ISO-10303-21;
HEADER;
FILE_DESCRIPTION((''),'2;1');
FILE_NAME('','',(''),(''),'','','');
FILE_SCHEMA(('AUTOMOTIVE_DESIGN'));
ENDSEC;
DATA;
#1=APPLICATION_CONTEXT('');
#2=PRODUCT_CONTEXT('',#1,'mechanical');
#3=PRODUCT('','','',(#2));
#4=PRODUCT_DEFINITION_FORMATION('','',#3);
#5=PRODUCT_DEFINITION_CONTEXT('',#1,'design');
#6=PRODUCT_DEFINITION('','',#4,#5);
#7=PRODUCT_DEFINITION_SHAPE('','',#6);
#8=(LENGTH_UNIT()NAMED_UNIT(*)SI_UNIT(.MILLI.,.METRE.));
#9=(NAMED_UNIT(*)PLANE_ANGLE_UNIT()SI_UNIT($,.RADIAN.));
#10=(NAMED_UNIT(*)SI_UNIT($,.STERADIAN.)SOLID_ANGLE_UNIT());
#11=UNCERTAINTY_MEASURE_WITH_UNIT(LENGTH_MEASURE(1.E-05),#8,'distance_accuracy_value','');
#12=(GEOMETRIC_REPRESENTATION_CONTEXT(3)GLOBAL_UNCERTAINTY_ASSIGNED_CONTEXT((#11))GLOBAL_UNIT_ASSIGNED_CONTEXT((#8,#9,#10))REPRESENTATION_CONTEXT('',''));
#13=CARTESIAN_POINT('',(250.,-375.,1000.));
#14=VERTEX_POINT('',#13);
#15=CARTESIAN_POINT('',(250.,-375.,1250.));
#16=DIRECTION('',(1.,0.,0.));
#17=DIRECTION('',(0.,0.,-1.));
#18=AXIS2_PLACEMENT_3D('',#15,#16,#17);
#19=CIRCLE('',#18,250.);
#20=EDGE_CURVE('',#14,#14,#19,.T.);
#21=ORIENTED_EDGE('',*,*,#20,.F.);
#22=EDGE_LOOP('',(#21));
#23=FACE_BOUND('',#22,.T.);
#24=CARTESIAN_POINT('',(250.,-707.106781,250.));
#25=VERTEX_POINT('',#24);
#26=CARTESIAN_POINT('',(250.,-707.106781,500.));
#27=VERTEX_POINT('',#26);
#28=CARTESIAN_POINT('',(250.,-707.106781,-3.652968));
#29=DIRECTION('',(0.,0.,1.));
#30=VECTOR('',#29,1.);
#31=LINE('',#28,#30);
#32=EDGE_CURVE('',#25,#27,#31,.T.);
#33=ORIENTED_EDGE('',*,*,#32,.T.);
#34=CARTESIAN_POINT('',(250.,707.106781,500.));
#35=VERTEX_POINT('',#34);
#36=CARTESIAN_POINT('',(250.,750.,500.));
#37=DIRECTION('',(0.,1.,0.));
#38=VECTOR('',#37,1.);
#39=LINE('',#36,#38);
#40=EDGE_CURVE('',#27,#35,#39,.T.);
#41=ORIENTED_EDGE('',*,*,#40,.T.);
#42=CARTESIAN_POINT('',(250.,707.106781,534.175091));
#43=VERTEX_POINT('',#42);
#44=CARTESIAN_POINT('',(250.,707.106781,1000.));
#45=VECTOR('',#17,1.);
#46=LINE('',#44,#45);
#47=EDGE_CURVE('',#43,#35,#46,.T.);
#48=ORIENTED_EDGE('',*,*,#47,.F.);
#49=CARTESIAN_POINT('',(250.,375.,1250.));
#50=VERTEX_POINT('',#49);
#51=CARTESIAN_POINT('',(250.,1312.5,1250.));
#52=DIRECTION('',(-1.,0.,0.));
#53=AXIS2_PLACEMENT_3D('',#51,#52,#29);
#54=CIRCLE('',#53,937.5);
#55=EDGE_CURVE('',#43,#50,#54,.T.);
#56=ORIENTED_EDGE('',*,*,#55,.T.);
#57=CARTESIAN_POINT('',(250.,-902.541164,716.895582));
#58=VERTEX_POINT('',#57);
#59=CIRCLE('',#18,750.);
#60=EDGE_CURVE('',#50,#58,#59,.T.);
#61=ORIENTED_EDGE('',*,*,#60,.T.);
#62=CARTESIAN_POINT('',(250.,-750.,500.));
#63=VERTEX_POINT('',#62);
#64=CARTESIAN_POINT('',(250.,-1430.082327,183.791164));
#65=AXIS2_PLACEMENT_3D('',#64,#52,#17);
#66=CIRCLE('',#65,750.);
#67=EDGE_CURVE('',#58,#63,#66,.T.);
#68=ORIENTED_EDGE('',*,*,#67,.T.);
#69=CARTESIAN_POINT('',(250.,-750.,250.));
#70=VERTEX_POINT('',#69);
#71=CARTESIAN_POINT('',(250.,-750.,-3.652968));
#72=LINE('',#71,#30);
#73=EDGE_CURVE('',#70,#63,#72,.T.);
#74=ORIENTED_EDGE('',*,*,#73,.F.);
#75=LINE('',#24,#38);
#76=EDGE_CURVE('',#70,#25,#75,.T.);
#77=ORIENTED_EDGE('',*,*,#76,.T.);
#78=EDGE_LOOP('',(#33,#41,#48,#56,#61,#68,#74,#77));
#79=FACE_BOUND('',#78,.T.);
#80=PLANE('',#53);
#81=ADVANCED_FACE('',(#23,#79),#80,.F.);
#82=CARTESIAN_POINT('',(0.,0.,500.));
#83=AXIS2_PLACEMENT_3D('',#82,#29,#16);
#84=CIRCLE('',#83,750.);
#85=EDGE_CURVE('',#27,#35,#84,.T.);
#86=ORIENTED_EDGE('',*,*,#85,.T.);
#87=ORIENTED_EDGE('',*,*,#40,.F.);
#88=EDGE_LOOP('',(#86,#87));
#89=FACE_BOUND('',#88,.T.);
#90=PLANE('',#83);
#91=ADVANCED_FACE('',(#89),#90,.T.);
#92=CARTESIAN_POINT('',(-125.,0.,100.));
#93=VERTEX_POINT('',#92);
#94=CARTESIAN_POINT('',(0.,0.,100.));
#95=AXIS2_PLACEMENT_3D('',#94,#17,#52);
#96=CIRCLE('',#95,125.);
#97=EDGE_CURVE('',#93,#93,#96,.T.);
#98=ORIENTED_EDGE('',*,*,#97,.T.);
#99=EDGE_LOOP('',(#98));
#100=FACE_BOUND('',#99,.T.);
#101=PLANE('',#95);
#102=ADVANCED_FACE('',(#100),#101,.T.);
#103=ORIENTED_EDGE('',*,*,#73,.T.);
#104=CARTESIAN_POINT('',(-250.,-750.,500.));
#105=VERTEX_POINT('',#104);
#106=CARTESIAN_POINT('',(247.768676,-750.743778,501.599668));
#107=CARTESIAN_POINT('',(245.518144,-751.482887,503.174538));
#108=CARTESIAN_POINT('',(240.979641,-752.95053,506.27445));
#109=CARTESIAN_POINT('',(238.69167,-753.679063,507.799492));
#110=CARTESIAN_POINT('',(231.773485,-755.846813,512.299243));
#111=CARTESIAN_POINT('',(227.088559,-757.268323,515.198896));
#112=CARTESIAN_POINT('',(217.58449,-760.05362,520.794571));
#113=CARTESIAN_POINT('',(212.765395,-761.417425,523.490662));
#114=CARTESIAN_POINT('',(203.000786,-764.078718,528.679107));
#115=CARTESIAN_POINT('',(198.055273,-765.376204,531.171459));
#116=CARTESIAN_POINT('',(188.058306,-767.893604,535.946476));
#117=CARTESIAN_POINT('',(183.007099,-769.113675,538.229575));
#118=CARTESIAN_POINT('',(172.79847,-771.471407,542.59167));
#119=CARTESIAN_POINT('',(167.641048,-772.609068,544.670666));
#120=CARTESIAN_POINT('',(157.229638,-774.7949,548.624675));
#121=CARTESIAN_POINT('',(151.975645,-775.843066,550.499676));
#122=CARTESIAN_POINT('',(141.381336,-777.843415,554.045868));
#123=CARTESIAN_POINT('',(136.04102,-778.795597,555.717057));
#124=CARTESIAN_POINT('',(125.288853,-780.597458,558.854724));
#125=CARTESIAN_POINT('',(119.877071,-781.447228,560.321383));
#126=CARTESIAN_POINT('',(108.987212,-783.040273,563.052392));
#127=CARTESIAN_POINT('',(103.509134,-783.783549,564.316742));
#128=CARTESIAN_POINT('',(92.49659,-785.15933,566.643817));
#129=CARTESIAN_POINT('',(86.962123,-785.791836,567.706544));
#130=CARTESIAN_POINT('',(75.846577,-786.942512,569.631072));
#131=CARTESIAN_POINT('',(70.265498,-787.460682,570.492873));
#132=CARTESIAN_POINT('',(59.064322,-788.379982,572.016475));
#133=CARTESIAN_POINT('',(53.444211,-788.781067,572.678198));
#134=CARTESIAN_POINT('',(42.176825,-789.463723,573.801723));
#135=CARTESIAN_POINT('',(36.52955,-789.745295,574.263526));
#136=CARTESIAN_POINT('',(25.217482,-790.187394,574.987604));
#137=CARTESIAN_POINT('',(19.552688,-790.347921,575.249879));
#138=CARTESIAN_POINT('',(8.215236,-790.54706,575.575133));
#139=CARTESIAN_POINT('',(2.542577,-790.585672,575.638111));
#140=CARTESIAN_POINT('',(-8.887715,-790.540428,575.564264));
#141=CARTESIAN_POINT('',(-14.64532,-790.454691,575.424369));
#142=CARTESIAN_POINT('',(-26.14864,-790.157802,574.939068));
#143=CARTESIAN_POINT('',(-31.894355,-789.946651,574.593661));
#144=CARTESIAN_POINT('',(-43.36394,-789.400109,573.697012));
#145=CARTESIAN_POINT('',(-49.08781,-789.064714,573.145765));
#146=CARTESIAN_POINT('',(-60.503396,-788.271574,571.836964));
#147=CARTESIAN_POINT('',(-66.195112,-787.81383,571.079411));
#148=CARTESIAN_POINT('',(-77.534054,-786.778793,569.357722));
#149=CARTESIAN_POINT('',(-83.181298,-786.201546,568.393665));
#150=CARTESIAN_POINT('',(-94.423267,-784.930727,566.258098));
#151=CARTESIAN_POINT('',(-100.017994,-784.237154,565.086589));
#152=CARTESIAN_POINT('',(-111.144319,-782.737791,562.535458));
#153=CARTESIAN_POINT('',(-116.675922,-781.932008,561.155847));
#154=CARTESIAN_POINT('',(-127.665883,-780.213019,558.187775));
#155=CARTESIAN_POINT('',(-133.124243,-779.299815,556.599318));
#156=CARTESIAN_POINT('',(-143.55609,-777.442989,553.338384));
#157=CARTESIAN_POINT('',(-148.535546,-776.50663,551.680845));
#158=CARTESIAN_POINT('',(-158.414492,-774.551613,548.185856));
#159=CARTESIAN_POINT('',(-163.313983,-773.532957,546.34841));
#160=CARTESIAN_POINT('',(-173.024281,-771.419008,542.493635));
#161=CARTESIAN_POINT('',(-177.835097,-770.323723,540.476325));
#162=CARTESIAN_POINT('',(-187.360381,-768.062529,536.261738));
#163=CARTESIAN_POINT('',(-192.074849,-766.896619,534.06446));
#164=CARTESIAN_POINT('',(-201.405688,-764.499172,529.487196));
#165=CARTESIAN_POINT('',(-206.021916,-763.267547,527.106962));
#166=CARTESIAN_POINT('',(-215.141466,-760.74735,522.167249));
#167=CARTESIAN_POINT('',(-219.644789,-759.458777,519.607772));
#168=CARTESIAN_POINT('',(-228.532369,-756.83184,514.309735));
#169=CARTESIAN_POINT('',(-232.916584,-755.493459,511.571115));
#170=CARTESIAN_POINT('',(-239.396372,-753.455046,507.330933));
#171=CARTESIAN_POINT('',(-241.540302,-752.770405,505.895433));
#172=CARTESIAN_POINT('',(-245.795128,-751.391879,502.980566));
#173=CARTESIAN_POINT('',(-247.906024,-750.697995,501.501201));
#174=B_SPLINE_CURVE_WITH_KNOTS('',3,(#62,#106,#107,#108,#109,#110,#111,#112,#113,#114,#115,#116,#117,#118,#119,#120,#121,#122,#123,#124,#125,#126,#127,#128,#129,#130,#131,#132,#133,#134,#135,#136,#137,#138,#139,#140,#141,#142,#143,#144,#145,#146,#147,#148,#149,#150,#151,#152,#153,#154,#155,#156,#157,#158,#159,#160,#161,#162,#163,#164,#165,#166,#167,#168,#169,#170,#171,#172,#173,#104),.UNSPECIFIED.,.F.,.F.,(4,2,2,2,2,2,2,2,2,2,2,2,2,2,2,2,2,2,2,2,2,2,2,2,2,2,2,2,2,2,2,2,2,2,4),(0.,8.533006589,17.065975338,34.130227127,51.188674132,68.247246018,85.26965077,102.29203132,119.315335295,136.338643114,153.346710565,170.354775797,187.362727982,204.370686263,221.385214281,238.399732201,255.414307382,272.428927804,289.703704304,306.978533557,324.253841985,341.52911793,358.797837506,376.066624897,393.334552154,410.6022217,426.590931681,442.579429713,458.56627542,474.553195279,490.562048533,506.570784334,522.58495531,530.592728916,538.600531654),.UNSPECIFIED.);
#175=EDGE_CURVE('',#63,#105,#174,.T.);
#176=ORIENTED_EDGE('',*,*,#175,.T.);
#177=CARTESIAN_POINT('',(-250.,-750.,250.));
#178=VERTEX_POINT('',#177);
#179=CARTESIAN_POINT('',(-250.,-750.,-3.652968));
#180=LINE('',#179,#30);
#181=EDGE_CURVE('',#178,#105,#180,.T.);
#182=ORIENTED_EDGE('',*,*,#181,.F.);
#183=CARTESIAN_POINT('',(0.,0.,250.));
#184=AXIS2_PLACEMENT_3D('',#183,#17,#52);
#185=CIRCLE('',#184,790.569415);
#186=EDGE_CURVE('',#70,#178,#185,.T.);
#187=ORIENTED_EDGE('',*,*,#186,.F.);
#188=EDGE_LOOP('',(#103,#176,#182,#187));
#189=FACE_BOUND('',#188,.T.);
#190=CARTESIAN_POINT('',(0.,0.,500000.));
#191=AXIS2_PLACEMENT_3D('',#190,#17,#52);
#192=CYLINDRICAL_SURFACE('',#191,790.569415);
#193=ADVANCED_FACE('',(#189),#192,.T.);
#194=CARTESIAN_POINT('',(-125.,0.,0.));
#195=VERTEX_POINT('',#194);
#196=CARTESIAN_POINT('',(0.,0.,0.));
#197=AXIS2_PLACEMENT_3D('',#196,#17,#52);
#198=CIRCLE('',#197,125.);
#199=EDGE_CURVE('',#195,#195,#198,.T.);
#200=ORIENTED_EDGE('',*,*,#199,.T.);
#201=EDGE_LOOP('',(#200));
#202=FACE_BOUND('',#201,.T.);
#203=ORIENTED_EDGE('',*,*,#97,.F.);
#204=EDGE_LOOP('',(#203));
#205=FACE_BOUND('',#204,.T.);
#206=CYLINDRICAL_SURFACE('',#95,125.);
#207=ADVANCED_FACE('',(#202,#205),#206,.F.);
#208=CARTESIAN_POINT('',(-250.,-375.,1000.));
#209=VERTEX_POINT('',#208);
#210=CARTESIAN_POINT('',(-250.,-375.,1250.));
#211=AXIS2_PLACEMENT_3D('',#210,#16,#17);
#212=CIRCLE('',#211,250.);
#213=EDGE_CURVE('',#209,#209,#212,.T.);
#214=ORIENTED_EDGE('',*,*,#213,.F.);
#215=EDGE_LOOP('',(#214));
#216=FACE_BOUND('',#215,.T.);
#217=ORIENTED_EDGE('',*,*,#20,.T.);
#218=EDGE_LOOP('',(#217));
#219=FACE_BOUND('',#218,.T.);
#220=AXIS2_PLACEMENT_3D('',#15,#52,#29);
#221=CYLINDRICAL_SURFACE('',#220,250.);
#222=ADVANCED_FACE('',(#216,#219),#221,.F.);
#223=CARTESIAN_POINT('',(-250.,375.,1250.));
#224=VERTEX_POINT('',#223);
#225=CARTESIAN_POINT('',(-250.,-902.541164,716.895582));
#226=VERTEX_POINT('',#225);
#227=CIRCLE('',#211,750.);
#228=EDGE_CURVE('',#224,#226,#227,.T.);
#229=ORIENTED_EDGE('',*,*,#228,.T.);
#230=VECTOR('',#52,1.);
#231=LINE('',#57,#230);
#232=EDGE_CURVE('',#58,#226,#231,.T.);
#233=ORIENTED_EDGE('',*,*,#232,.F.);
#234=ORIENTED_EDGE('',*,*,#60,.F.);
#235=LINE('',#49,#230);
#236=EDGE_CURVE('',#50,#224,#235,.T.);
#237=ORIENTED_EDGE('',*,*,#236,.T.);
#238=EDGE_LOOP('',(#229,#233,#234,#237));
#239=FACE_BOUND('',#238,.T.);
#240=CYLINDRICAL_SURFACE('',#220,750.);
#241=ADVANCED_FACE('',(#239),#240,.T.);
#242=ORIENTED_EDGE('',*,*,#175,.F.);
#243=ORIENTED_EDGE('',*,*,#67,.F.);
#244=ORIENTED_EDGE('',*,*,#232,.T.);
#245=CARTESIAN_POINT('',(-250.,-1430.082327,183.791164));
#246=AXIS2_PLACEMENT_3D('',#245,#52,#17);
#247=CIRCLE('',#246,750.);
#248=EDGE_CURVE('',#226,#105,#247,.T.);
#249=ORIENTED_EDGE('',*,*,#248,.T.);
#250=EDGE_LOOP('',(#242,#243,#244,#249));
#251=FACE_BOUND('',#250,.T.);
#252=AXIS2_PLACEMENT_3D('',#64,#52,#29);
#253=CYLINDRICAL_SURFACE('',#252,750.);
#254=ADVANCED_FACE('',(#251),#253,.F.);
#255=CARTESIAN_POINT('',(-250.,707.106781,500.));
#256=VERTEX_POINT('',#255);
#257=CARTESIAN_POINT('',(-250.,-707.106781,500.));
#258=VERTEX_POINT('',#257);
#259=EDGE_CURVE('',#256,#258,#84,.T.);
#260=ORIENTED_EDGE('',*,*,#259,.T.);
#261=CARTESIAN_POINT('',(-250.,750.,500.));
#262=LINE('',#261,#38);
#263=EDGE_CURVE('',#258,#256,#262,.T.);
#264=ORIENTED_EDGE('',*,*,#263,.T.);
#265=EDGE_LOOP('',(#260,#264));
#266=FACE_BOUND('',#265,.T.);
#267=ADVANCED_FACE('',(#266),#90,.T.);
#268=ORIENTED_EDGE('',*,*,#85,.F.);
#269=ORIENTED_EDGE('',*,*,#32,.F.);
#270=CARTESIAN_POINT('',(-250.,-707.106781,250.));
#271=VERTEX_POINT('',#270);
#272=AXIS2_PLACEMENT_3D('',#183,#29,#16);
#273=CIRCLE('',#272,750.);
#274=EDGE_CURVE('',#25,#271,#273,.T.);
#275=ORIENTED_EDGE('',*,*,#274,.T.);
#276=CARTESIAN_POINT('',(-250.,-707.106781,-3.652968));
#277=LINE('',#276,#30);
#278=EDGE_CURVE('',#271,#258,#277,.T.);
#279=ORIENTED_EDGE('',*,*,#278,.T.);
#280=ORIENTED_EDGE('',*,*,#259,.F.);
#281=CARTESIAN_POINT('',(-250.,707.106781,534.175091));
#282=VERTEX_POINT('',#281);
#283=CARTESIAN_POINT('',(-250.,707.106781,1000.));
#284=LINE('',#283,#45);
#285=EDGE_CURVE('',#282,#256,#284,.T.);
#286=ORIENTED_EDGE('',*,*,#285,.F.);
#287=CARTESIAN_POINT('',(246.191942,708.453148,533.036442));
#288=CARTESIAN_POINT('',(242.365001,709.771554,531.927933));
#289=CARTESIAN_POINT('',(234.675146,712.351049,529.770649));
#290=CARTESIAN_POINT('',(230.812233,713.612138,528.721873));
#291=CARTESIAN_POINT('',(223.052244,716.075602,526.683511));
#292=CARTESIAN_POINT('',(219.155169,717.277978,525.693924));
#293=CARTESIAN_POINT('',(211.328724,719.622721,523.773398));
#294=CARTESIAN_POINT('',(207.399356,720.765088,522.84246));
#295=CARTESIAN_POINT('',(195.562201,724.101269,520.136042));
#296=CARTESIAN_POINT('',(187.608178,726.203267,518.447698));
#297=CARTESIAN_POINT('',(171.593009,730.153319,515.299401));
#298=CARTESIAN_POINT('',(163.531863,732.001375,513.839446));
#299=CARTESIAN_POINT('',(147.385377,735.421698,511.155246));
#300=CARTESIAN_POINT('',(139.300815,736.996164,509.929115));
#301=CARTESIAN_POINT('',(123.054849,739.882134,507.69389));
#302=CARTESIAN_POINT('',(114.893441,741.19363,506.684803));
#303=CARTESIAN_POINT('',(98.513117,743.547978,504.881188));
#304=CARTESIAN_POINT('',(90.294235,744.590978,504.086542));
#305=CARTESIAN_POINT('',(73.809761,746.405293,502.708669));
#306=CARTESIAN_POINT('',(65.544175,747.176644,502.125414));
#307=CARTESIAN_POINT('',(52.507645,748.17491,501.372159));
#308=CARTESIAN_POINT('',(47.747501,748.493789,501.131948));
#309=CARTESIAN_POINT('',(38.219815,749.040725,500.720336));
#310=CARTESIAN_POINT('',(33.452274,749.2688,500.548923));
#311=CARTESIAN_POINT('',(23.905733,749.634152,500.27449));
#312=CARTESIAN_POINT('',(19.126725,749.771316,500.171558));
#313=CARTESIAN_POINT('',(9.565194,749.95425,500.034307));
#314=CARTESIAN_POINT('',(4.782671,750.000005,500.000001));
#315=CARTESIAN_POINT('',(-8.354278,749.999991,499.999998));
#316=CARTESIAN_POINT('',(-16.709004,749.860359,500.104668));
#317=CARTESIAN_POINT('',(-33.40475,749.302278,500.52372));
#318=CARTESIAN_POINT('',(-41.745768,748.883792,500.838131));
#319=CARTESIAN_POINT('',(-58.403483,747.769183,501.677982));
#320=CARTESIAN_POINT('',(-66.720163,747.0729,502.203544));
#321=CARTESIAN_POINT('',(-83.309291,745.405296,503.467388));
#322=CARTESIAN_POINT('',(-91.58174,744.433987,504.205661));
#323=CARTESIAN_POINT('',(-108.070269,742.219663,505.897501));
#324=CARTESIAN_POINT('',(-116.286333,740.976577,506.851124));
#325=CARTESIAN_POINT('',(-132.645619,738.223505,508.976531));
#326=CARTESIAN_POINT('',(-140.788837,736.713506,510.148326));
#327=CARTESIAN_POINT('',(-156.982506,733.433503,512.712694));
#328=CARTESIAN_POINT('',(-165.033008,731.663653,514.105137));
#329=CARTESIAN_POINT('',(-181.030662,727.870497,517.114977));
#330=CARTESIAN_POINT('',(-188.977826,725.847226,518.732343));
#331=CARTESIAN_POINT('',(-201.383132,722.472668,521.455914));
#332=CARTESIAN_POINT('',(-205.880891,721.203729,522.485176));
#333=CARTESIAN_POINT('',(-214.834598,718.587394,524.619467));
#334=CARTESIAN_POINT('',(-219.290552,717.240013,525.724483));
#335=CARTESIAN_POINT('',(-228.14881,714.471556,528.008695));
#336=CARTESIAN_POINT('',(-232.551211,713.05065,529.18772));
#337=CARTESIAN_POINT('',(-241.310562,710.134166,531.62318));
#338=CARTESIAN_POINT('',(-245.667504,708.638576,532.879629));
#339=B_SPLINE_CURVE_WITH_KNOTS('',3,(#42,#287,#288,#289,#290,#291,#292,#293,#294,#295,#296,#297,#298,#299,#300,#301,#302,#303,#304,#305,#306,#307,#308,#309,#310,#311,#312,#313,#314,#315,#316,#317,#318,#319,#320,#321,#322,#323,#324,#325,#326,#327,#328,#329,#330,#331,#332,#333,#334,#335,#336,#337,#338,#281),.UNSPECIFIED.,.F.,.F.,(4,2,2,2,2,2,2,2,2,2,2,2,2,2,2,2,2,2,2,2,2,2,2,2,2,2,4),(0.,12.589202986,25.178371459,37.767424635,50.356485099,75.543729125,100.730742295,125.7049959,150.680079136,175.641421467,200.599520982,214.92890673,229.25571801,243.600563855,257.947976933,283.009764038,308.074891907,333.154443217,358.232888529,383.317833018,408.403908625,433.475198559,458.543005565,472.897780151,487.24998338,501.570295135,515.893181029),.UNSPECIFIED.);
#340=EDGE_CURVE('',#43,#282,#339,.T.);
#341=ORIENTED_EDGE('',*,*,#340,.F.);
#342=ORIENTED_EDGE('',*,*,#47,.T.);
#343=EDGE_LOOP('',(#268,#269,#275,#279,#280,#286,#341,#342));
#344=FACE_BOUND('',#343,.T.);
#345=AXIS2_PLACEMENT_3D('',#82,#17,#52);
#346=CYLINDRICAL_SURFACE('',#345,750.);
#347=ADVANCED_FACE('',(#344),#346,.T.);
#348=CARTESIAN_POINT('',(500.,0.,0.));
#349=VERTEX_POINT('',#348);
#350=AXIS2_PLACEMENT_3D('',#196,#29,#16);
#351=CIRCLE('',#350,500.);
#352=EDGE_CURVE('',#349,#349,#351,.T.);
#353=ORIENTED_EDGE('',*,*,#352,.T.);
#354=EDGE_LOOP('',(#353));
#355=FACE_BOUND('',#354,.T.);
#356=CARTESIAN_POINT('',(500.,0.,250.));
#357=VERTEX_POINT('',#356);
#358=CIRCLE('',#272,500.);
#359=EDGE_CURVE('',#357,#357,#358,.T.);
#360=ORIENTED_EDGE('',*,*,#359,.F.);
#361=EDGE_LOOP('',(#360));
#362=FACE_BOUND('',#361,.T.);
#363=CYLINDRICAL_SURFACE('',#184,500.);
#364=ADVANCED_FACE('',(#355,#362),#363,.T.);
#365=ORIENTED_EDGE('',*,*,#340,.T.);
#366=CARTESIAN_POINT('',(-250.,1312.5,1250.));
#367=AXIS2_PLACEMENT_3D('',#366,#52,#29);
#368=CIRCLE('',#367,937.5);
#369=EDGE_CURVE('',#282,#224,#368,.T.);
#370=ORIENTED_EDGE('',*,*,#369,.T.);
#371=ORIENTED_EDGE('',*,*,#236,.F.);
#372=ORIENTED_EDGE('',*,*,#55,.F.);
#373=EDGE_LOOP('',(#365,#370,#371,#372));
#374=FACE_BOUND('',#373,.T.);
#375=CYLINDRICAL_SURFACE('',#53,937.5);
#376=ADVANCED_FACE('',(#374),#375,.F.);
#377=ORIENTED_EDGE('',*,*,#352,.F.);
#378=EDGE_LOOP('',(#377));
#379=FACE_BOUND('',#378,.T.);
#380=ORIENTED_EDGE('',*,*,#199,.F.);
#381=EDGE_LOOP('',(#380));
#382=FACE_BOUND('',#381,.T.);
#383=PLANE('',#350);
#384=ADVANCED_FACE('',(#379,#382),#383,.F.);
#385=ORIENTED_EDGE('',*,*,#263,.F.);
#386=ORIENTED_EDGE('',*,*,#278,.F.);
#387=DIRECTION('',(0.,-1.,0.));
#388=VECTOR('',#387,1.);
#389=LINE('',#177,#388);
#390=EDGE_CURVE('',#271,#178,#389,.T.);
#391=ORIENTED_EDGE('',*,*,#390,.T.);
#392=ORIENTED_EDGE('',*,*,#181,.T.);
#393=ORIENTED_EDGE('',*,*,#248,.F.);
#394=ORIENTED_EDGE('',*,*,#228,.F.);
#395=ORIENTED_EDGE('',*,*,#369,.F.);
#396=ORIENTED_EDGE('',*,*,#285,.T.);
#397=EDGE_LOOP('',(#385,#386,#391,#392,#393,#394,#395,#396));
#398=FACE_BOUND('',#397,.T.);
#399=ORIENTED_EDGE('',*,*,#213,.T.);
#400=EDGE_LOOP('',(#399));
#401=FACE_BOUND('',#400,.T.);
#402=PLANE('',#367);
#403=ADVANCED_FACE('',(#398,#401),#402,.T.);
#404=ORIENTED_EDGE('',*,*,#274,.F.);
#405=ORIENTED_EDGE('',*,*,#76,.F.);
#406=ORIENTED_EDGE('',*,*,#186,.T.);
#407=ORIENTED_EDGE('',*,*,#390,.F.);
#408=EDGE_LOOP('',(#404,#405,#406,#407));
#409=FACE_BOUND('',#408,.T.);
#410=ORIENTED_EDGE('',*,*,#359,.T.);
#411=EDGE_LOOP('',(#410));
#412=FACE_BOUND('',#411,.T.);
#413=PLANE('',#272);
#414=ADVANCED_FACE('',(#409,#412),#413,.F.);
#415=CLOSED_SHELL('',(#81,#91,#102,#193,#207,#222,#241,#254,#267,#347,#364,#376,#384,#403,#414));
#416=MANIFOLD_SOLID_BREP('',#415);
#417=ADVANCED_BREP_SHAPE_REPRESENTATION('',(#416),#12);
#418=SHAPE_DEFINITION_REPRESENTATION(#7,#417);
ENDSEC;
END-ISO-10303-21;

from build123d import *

# Parameters (mm, degrees)
SKETCH1_R                = 500
BOSS_EXTRUDE1_DEPTH      = 250
SKETCH3_R                = 125
CUT_EXTRUDE1_DEPTH       = 100
SKETCH4_R                = 750
BOSS_EXTRUDE2_DEPTH      = 250
SKETCH5_R                = 250
BOSS_EXTRUDE4_DEPTH      = 250
CUT_EXTRUDE2_DEPTH       = 500
CUT_EXTRUDE5_DEPTH       = 500
BOSS_EXTRUDE5_START      = 250
BOSS_EXTRUDE5_DEPTH      = 250
BOSS_EXTRUDE6_START      = 250
BOSS_EXTRUDE6_DEPTH      = 250
BOSS_EXTRUDE7_REACH      = 2213.476
BOSS_EXTRUDE7_END_RADIUS = 750


with BuildPart() as part:
    # Sketch1 → Boss-Extrude1 (new body)
    with BuildSketch(Plane.XY):
        Circle(SKETCH1_R)
    extrude(amount=BOSS_EXTRUDE1_DEPTH)

    # Sketch3 → Cut-Extrude1 (cut)
    with BuildSketch(Plane(origin=(0, 0, 0), x_dir=(-1, 0, 0), z_dir=(0, 0, -1))):
        Circle(SKETCH3_R)
    extrude(amount=-CUT_EXTRUDE1_DEPTH, mode=Mode.SUBTRACT)

    # Sketch4 → Boss-Extrude2 (add)
    with BuildSketch(Plane.XY.offset(250)):
        Circle(SKETCH4_R)
    extrude(amount=BOSS_EXTRUDE2_DEPTH)

    # Sketch5 → Boss-Extrude4 (add, symmetric)
    with BuildSketch(Plane(origin=(0, 0, 0), x_dir=(0, 0, -1), z_dir=(1, 0, 0))):
        with BuildLine():
            Line((-500, 750), (-500, -750))
            ThreePointArc((-500, -750), (-615.24272839, -816.608980403), (-716.895581803, -902.541163606))
            ThreePointArc((-716.895581803, -902.541163606), (-1942.154561028, -663.82877912), (-1250, 375))
            ThreePointArc((-1250, 375), (-830.737254219, 473.974508438), (-500, 750))
        make_face()
        with Locations((-1250, -375)):
            Circle(SKETCH5_R, mode=Mode.SUBTRACT)
    extrude(amount=BOSS_EXTRUDE4_DEPTH, both=True)

    # Sketch8 → Cut-Extrude2 (cut)
    with BuildSketch(Plane(origin=(0, 0, 500), x_dir=(-1, 0, 0), z_dir=(0, 0, -1))):
        with BuildLine():
            Line((-250, 750), (-250, 707.106781187))
            ThreePointArc((-250, 707.106781187), (-126.826484044, 739.19891974), (0, 750))
            Line((0, 750), (-250, 750))
        make_face()
    extrude(amount=-CUT_EXTRUDE2_DEPTH, mode=Mode.SUBTRACT)

    # Sketch10 → Cut-Extrude5 (cut)
    with BuildSketch(Plane(origin=(0, 0, 500), x_dir=(-1, 0, 0), z_dir=(0, 0, -1))):
        with BuildLine():
            Line((250, 750), (0, 750))
            ThreePointArc((0, 750), (126.826484044, 739.19891974), (250, 707.106781187))
            Line((250, 707.106781187), (250, 750))
        make_face()
    extrude(amount=-CUT_EXTRUDE5_DEPTH, mode=Mode.SUBTRACT)

    # Sketch11 → Boss-Extrude5 (add)
    with BuildSketch(Plane(origin=(0, 0, 500), x_dir=(-1, 0, 0), z_dir=(0, 0, -1)).offset(BOSS_EXTRUDE5_START)):
        with BuildLine():
            Line((250, -750), (250, -707.106781187))
            ThreePointArc((250, -707.106781187), (126.826484044, -739.19891974), (0, -750))
            Line((0, -750), (250, -750))
        make_face()
    extrude(amount=-BOSS_EXTRUDE5_DEPTH)

    # Sketch12 → Boss-Extrude6 (add)
    with BuildSketch(Plane(origin=(0, 0, 500), x_dir=(-1, 0, 0), z_dir=(0, 0, -1)).offset(BOSS_EXTRUDE6_START)):
        with BuildLine():
            Line((-250, -750), (0, -750))
            ThreePointArc((0, -750), (-126.826484044, -739.19891974), (-250, -707.106781187))
            Line((-250, -707.106781187), (-250, -750))
        make_face()
    extrude(amount=-BOSS_EXTRUDE6_DEPTH)

    # Boss-Extrude7: up to this cylinder (the profile starts inside it)
    boss_extrude7_end = Plane(origin=(0, -1430.082327212, 183.791163606), z_dir=(-1, 0, 0)) * Cylinder(BOSS_EXTRUDE7_END_RADIUS, 5927.952, mode=Mode.PRIVATE)
    # Sketch15 → Boss-Extrude7 (add, up to the surface)
    with BuildSketch(Plane(origin=(0, 0, 250), x_dir=(-1, 0, 0), z_dir=(0, 0, -1)), mode=Mode.PRIVATE) as boss_extrude7_sk1:
        with BuildLine():
            Line((250, -750), (-250, -750))
            ThreePointArc((-250, -750), (0, -790.569415042), (250, -750))
        make_face()
    boss_extrude7_tool1 = extrude(boss_extrude7_sk1.sketch, amount=-BOSS_EXTRUDE7_REACH, mode=Mode.PRIVATE) & boss_extrude7_end
    add(boss_extrude7_tool1.solids().sort_by_distance((0, -766.263993, 250))[0])


solid = part.part
